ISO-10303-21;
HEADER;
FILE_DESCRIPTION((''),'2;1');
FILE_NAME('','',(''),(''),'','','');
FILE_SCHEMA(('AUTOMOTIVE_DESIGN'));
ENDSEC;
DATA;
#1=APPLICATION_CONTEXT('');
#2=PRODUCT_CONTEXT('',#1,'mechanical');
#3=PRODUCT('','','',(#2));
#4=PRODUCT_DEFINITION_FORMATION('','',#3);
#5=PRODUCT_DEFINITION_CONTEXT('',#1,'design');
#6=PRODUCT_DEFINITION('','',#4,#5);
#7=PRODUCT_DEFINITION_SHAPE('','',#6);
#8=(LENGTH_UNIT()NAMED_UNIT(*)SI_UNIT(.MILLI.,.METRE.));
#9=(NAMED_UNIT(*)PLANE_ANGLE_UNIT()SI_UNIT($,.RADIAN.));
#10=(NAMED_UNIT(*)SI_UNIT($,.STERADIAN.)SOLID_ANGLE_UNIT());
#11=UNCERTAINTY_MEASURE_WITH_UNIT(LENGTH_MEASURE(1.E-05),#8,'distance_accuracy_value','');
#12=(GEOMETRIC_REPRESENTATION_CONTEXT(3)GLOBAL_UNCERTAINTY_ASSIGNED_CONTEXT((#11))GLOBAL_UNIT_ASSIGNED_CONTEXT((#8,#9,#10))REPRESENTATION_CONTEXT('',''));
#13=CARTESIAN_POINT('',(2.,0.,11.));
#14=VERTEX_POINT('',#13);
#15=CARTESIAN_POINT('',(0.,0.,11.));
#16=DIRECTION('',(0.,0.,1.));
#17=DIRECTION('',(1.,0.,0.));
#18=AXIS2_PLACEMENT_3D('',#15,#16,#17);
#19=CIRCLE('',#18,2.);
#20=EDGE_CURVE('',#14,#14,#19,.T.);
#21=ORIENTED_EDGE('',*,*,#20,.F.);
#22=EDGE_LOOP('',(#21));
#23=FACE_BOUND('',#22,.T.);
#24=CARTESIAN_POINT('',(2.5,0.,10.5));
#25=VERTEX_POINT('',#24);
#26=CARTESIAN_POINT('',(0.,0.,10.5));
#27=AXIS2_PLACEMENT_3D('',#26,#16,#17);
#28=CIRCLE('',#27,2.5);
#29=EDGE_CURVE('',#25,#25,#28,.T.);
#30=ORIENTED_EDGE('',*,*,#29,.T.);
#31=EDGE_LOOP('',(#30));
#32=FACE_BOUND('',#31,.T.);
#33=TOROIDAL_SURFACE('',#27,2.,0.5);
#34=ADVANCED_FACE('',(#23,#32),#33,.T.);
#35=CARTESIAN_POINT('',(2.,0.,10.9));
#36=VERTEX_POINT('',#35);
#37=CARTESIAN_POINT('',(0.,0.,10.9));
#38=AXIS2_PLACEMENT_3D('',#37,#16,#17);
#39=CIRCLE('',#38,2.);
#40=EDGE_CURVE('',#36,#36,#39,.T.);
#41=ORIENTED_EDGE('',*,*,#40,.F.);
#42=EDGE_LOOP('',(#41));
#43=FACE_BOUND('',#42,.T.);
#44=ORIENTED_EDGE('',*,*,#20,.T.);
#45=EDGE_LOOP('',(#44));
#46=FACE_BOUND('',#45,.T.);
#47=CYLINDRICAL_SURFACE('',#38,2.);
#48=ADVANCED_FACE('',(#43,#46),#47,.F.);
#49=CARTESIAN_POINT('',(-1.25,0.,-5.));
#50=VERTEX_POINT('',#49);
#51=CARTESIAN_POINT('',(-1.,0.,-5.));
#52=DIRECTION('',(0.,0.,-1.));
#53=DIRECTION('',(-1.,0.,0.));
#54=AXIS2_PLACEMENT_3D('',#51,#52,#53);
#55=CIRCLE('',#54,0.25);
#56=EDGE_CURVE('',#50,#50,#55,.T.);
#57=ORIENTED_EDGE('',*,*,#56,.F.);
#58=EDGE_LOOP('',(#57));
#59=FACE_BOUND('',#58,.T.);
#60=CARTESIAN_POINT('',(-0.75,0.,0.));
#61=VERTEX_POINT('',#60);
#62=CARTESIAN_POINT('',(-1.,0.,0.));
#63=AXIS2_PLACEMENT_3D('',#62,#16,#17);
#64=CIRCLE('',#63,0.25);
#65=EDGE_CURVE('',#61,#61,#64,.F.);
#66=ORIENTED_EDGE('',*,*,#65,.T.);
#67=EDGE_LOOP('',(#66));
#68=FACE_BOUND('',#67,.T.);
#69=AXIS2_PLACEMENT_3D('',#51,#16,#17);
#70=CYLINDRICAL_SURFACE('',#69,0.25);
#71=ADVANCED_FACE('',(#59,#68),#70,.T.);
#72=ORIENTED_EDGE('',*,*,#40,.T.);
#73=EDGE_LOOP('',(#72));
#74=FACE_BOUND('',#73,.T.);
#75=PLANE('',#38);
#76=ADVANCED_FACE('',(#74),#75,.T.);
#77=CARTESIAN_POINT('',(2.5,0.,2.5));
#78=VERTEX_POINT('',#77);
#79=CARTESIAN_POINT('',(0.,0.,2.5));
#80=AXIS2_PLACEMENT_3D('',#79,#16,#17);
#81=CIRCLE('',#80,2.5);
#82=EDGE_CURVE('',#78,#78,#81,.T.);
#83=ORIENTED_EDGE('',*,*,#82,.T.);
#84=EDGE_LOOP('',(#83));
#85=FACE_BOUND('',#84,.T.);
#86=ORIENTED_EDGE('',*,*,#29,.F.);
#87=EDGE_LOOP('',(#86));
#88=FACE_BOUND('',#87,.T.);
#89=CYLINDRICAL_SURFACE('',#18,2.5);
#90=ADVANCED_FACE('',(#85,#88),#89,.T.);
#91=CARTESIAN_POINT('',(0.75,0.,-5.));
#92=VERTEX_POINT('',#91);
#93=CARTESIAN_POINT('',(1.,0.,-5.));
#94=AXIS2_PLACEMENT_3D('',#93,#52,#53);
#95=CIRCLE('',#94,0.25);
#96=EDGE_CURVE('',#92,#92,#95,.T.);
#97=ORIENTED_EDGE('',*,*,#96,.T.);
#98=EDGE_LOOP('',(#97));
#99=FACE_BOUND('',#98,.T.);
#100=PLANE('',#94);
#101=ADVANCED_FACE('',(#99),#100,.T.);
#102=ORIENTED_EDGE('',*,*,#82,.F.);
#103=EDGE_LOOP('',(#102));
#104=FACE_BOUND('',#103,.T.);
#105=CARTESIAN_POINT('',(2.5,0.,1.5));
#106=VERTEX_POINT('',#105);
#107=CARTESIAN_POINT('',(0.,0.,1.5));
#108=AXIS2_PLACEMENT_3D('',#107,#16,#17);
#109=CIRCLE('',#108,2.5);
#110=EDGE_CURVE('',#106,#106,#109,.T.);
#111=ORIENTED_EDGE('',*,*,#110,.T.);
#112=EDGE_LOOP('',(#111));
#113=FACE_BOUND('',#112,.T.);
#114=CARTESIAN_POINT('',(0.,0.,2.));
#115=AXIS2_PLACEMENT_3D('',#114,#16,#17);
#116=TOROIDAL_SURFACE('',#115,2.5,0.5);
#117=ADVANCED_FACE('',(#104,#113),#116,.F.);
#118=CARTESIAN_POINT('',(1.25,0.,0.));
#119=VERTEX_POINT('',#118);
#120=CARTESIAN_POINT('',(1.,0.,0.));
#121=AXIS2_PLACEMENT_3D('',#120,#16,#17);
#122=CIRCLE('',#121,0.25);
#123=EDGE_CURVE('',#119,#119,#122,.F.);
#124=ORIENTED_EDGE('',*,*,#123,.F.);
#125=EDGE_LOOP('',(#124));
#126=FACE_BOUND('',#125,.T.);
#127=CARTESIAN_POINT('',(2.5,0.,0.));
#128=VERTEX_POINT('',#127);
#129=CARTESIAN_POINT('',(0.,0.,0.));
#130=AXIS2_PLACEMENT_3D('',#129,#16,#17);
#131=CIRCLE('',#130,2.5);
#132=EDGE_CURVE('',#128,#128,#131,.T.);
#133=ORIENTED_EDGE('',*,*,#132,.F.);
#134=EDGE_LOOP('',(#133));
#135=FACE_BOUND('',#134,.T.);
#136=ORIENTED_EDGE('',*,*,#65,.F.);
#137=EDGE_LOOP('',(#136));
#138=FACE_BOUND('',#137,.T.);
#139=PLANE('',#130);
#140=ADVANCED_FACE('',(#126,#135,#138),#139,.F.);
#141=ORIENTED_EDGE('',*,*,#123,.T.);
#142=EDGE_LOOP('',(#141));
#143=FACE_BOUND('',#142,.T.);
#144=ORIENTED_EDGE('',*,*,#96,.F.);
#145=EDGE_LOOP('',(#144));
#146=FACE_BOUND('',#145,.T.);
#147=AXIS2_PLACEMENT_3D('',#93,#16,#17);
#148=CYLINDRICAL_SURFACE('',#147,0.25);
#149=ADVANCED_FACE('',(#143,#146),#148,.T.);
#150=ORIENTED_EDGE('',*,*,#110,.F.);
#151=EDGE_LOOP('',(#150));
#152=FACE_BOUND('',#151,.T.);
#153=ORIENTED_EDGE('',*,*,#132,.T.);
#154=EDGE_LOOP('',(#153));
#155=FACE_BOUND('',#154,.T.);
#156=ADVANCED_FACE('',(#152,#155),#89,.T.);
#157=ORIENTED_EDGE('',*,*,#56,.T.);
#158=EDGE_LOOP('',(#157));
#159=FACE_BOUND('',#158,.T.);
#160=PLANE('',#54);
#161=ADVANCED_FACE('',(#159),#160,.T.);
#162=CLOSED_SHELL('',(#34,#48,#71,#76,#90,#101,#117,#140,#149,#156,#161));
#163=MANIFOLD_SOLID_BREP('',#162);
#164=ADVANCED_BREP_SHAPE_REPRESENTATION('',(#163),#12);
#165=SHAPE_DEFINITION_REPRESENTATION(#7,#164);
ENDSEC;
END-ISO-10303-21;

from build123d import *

# Parameters (mm, degrees)
SKETCH3_R           = 2
CUT_EXTRUDE1_DEPTH  = 0.1
SKETCH4_R           = 0.25
BOSS_EXTRUDE1_DEPTH = 5


with BuildPart() as part:
    # Sketch2 → Base-Revolve (revolve)
    with BuildSketch(Plane(origin=(0, 0, 0), x_dir=(0, 0, -1), z_dir=(1, 0, 0))):
        with BuildLine():
            Line((0, 0), (0, 2.5))
            Line((0, 2.5), (-1.5, 2.5))
            ThreePointArc((-1.5, 2.5), (-2, 2), (-2.5, 2.5))
            Line((-2.5, 2.5), (-10.5, 2.5))
            ThreePointArc((-10.5, 2.5), (-10.853553391, 2.353553391), (-11, 2))
            Line((-11, 2), (-11, 0))
            Line((-11, 0), (0, 0))
        make_face()
    revolve(axis=Axis((0, 0, 11), (0, 0, -1)))

    # Sketch3 → Cut-Extrude1 (cut)
    with BuildSketch(Plane.XY.offset(11)):
        Circle(SKETCH3_R)
    extrude(amount=-CUT_EXTRUDE1_DEPTH, mode=Mode.SUBTRACT)

    # Sketch4 → Boss-Extrude1 (add)
    with BuildSketch(Plane(origin=(0, 0, 0), x_dir=(-1, 0, 0), z_dir=(0, 0, -1))):
        with Locations((1, 0)):
            Circle(SKETCH4_R)
        with Locations((-1, 0)):
            Circle(SKETCH4_R)
    extrude(amount=BOSS_EXTRUDE1_DEPTH)


solid = part.part
